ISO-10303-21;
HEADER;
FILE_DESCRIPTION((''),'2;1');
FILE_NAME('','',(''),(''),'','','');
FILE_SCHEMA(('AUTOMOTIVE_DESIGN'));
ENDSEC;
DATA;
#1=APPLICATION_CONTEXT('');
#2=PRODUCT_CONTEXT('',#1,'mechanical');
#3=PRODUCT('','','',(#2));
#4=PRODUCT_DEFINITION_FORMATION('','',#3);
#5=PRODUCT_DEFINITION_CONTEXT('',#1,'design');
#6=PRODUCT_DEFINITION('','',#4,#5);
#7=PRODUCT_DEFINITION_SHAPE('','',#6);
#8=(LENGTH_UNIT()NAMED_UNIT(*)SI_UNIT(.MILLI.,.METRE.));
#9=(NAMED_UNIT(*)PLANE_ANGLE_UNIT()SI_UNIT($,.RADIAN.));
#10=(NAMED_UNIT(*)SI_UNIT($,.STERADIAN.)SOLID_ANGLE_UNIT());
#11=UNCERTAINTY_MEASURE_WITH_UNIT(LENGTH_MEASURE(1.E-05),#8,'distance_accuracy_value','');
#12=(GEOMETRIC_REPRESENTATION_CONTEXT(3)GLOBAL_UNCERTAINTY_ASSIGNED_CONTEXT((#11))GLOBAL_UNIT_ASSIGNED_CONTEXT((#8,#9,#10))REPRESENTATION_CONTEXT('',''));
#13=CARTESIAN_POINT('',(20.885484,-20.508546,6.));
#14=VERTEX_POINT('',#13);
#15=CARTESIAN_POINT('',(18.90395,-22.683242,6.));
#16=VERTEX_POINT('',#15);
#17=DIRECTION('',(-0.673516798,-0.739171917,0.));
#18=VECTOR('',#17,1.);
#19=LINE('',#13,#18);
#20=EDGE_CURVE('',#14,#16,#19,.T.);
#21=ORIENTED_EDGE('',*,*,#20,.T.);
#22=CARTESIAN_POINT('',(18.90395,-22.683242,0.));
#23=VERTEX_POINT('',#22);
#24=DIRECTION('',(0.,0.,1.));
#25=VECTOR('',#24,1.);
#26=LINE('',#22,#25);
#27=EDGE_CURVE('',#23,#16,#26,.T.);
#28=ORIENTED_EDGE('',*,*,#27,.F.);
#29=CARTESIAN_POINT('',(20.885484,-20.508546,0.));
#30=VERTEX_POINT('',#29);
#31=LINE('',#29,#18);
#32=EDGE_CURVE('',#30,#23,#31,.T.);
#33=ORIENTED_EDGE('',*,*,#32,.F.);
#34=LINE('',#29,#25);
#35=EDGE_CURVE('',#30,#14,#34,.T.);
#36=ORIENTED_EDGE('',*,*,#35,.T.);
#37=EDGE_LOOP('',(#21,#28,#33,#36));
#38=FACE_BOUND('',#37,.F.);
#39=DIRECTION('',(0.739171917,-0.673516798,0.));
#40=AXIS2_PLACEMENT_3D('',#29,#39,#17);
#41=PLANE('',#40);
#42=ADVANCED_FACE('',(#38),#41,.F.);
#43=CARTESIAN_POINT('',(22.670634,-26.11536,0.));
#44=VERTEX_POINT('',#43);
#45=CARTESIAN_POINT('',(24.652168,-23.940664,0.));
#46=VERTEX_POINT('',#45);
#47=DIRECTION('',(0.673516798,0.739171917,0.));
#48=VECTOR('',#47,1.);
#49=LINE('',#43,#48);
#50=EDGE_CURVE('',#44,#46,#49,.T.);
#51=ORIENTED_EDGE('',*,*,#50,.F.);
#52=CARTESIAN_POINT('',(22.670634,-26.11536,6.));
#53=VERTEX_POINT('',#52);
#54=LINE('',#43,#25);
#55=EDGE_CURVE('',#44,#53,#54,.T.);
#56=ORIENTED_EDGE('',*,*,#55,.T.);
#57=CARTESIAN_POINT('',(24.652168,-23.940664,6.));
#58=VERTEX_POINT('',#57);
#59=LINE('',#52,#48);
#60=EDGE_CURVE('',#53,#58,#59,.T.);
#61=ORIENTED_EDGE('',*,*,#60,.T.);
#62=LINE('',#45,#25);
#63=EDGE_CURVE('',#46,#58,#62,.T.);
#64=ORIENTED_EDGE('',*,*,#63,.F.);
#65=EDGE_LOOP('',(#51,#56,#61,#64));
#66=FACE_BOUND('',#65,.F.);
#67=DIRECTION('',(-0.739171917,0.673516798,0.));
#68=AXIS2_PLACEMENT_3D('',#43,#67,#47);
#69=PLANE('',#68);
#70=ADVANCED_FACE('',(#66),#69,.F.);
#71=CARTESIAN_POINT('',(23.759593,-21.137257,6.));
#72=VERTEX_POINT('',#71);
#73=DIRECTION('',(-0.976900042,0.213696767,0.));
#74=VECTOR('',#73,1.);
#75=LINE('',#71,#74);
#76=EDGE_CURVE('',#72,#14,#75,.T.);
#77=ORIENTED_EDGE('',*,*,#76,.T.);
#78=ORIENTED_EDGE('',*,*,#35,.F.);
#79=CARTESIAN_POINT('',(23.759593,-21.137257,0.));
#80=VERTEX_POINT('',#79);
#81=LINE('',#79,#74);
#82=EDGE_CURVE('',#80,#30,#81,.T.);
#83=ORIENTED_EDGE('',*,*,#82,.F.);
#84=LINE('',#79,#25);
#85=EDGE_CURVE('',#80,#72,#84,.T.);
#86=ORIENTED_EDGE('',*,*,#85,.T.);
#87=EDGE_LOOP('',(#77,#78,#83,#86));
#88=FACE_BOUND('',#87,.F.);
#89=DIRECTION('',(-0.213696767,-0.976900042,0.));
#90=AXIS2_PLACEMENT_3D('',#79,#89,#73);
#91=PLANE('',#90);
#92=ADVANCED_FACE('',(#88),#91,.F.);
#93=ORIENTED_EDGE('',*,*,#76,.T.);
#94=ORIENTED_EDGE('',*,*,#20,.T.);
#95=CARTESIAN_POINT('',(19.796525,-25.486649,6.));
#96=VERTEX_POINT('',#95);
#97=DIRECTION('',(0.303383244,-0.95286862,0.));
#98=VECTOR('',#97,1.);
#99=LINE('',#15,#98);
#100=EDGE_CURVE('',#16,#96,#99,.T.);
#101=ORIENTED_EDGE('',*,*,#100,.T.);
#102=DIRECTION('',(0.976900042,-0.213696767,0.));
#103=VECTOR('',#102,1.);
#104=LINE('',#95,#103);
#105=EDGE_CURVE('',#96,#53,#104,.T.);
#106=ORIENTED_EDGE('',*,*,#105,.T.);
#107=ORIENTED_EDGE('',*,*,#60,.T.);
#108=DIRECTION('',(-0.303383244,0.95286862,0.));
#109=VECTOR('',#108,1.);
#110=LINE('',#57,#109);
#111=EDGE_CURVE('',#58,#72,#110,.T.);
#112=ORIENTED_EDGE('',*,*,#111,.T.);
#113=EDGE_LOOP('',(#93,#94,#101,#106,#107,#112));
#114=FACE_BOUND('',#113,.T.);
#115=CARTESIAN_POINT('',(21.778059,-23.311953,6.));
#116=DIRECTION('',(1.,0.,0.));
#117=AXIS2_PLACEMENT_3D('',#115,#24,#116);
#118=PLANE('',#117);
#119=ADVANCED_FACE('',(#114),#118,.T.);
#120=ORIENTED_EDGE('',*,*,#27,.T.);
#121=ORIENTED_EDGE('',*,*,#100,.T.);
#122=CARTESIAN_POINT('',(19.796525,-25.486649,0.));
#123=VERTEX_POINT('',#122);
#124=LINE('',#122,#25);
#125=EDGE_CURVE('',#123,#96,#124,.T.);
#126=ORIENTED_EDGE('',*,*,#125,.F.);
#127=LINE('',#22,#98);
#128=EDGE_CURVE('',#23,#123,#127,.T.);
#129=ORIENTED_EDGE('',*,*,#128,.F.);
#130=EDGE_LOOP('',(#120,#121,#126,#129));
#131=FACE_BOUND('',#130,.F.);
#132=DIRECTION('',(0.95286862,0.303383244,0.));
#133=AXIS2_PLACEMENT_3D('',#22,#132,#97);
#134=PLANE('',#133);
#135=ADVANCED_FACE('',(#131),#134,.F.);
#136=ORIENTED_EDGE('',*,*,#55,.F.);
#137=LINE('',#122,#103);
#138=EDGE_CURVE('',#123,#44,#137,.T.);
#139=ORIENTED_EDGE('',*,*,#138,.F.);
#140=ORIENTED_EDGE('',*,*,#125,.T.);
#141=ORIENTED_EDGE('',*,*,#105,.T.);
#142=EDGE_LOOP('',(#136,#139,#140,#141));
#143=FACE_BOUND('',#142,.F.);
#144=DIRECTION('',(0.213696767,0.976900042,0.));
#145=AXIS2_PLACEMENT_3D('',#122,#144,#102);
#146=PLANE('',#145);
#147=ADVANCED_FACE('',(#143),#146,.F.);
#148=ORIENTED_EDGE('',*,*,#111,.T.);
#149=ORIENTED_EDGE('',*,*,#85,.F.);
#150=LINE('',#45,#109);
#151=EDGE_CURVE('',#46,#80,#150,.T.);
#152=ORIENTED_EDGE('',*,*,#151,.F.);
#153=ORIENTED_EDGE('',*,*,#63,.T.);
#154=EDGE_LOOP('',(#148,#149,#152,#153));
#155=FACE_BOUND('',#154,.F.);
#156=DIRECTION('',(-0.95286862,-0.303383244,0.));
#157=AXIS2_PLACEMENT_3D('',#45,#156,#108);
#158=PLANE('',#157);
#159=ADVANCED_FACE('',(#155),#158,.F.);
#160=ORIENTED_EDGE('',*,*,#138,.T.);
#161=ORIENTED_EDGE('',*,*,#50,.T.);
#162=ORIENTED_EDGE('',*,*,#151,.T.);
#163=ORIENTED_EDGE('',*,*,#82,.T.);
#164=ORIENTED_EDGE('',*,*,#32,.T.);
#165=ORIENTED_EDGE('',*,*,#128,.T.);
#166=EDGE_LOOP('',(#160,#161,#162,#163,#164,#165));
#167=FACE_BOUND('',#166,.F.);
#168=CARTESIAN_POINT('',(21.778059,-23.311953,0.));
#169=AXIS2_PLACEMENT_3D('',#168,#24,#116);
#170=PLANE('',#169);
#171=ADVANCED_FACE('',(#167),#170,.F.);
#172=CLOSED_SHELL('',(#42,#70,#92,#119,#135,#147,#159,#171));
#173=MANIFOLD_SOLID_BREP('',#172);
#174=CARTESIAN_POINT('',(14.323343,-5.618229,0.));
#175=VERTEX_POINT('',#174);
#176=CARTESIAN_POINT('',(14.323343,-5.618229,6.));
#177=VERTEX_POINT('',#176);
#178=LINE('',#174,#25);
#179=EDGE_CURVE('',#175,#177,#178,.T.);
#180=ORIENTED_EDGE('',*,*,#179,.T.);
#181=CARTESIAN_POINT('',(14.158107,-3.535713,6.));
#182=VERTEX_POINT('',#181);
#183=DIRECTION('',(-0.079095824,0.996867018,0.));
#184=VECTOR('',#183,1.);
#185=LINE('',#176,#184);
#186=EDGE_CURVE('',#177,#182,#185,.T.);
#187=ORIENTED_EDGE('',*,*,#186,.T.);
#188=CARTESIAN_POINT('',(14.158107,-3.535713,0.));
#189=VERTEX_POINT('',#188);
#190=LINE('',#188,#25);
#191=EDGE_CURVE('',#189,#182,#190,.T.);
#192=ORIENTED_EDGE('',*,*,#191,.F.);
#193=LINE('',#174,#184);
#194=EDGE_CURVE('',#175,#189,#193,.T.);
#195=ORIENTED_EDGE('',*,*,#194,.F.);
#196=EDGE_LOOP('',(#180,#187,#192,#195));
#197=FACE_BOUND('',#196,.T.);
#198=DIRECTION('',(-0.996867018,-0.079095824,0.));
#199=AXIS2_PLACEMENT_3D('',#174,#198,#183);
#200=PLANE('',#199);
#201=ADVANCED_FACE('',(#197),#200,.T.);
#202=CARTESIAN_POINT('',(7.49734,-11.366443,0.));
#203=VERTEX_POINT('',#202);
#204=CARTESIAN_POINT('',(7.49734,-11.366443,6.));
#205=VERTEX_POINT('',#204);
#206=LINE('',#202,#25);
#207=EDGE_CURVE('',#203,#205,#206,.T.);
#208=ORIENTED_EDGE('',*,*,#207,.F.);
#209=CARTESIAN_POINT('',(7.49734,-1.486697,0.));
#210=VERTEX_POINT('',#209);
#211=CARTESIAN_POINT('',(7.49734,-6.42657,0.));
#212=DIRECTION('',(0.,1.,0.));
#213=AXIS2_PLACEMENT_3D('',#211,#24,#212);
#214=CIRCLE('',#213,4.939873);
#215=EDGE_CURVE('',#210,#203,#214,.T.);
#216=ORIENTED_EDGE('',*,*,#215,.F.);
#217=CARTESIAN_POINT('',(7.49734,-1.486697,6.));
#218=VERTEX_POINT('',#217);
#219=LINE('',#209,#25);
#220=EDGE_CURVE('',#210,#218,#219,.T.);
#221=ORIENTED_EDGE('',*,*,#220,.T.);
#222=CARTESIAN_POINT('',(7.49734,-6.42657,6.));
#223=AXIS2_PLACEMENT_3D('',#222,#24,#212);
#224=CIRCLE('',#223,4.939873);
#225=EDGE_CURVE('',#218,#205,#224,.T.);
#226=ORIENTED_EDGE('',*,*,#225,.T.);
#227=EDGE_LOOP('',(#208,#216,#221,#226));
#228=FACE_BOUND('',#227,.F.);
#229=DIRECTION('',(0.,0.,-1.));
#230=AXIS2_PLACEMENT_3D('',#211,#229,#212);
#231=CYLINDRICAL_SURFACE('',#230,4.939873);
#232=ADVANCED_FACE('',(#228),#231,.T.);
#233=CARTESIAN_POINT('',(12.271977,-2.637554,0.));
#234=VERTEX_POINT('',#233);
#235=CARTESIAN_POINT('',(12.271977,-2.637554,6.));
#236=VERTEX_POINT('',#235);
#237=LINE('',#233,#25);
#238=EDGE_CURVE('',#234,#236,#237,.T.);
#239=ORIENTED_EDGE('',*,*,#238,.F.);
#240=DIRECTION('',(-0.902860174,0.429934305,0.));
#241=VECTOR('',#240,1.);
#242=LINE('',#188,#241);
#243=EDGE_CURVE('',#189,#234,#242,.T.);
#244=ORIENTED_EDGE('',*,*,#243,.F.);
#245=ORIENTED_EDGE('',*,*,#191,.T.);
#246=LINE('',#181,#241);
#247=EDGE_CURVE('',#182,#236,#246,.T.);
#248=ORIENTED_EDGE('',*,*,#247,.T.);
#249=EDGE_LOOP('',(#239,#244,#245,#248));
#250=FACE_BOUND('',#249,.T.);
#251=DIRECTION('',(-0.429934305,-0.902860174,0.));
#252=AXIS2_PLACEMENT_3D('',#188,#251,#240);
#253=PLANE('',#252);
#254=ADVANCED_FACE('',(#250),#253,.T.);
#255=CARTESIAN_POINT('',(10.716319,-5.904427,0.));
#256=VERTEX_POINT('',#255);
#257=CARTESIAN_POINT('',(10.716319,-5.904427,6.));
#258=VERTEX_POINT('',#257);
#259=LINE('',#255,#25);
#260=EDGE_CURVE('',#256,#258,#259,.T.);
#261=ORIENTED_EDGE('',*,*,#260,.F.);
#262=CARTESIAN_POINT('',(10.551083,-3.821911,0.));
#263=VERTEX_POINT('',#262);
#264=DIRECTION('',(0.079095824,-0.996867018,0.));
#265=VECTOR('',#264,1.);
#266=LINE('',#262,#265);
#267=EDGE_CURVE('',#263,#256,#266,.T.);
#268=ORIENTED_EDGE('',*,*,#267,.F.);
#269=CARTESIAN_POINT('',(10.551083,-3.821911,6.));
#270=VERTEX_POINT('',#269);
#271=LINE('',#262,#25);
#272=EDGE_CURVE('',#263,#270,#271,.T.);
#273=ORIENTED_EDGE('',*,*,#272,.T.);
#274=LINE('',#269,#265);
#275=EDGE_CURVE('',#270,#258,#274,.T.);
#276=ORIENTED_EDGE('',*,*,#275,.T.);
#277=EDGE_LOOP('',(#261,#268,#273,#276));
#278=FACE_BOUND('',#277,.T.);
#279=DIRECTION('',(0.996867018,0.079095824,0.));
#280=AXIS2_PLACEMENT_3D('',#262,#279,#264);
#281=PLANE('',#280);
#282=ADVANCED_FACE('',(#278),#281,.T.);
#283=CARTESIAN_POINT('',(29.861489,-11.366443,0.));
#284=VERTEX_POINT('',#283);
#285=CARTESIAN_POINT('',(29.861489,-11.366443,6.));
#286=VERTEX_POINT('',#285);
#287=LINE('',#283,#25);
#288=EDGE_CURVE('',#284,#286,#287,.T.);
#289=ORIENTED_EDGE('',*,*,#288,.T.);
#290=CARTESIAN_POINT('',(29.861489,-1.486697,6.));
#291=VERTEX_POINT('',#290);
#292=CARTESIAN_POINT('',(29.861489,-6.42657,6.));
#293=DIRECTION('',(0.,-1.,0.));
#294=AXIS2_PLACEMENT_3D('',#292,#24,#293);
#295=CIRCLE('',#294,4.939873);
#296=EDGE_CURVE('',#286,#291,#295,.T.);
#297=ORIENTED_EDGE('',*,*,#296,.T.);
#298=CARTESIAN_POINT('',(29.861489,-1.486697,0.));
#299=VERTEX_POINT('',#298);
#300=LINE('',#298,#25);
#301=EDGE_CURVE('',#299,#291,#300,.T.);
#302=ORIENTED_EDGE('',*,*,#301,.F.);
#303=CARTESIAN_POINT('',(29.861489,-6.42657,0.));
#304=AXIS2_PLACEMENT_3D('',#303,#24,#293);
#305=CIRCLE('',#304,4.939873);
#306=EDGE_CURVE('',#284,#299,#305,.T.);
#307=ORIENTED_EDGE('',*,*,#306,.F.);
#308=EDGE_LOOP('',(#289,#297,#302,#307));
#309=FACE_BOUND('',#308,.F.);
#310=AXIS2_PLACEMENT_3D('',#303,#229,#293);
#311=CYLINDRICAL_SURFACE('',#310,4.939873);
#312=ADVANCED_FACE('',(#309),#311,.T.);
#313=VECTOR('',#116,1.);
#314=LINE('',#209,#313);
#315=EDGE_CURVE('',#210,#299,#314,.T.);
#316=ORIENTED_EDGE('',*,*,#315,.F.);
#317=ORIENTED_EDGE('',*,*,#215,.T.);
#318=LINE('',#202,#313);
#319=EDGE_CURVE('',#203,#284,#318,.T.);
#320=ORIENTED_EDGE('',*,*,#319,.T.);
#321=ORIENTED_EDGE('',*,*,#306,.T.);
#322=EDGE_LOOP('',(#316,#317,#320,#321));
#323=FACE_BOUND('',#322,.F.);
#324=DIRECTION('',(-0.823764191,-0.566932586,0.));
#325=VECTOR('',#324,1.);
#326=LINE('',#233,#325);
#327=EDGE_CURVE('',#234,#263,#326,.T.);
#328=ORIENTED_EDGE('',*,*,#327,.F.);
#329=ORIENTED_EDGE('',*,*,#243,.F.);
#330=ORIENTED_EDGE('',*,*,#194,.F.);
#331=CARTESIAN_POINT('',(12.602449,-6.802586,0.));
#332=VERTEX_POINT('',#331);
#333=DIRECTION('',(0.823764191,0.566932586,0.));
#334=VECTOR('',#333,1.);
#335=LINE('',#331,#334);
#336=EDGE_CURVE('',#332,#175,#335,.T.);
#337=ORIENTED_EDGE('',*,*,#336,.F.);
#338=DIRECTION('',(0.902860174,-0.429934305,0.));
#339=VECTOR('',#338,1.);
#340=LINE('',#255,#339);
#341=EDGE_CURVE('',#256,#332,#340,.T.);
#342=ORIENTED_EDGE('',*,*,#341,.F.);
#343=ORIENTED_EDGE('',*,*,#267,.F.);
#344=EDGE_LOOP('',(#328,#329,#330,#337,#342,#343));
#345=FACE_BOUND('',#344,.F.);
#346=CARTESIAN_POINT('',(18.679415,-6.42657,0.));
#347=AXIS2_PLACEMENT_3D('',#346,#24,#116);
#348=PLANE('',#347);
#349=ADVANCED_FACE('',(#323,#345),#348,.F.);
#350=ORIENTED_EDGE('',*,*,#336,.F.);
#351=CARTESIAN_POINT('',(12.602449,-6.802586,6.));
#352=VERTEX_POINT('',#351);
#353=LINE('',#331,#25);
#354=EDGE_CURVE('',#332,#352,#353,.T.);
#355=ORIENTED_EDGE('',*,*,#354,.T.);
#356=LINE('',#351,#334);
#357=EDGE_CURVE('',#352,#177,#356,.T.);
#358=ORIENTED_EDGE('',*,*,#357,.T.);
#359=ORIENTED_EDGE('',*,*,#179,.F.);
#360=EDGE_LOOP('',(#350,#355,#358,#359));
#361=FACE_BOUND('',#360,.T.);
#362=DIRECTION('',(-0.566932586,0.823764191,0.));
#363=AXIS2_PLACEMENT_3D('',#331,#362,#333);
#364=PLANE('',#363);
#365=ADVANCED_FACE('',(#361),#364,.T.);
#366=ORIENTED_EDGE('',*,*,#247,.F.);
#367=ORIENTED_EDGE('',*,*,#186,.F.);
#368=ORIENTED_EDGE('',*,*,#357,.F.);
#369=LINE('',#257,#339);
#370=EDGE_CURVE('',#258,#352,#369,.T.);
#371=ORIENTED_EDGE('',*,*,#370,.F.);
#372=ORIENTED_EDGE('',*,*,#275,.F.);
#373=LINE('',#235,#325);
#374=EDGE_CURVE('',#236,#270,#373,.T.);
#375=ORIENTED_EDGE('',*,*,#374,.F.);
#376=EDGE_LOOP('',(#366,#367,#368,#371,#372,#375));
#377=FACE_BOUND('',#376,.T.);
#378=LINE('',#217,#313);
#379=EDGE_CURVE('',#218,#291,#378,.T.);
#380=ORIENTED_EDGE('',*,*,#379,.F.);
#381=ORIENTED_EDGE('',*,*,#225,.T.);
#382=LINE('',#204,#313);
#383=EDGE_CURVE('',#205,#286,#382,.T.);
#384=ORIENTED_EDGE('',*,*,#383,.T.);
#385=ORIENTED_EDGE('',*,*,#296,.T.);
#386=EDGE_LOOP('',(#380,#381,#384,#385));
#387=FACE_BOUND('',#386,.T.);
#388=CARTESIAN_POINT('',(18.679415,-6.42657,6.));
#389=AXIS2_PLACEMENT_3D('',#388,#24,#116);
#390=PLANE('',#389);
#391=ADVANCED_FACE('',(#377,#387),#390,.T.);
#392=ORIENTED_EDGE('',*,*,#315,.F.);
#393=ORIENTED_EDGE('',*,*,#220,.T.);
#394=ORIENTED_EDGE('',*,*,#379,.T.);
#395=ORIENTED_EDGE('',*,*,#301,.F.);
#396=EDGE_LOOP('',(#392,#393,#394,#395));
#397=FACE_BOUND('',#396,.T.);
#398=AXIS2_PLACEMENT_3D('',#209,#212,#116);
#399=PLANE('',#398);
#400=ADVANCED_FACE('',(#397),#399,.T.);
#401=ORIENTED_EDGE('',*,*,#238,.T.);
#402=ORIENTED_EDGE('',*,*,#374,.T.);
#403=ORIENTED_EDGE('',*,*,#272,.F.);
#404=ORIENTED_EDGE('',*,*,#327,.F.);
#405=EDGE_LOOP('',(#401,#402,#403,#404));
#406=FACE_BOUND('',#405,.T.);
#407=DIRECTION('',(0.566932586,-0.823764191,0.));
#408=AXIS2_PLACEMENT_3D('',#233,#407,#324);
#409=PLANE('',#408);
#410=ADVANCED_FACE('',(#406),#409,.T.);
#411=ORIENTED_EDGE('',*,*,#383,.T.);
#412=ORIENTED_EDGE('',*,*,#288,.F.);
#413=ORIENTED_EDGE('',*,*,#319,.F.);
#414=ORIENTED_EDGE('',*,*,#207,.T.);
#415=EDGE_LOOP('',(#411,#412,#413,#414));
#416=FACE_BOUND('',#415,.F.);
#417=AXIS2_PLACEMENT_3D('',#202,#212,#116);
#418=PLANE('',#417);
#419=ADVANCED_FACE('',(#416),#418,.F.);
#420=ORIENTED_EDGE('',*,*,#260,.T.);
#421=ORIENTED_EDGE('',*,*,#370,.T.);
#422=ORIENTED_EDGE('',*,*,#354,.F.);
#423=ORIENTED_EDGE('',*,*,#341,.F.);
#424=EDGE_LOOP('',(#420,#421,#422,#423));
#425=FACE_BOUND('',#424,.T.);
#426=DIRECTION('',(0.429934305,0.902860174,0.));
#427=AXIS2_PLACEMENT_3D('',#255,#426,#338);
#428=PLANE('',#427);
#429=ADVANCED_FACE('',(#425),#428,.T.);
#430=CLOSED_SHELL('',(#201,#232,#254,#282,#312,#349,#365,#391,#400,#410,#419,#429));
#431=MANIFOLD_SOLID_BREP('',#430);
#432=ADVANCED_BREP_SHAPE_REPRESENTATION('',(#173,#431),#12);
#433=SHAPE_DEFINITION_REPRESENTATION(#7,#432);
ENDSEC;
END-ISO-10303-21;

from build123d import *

# Parameters (mm, degrees)
EXTRUDE_DEPTH = 6


with BuildPart() as part:
    # Sketch → Extrude (new body)
    with BuildSketch(Plane.XY):
        with BuildLine():
            ThreePointArc((7.49734, -1.486697), (2.557467, -6.42657), (7.49734, -11.366443))
            Line((7.49734, -11.366443), (29.861489, -11.366443))
            ThreePointArc((29.861489, -11.366443), (34.801362, -6.42657), (29.861489, -1.486697))
            Line((7.49734, -1.486697), (29.861489, -1.486697))
        make_face()
        Polygon((14.323343, -5.618229), (14.158107, -3.535713), (12.271977, -2.637554), (10.551083, -3.821911), (10.716319, -5.904427), (12.602449, -6.802586), align=None, mode=Mode.SUBTRACT)
        Polygon((24.652168, -23.940664), (23.759593, -21.137257), (20.885484, -20.508546), (18.90395, -22.683242), (19.796525, -25.486649), (22.670634, -26.11536), align=None)
    extrude(amount=EXTRUDE_DEPTH)


solid = part.part
